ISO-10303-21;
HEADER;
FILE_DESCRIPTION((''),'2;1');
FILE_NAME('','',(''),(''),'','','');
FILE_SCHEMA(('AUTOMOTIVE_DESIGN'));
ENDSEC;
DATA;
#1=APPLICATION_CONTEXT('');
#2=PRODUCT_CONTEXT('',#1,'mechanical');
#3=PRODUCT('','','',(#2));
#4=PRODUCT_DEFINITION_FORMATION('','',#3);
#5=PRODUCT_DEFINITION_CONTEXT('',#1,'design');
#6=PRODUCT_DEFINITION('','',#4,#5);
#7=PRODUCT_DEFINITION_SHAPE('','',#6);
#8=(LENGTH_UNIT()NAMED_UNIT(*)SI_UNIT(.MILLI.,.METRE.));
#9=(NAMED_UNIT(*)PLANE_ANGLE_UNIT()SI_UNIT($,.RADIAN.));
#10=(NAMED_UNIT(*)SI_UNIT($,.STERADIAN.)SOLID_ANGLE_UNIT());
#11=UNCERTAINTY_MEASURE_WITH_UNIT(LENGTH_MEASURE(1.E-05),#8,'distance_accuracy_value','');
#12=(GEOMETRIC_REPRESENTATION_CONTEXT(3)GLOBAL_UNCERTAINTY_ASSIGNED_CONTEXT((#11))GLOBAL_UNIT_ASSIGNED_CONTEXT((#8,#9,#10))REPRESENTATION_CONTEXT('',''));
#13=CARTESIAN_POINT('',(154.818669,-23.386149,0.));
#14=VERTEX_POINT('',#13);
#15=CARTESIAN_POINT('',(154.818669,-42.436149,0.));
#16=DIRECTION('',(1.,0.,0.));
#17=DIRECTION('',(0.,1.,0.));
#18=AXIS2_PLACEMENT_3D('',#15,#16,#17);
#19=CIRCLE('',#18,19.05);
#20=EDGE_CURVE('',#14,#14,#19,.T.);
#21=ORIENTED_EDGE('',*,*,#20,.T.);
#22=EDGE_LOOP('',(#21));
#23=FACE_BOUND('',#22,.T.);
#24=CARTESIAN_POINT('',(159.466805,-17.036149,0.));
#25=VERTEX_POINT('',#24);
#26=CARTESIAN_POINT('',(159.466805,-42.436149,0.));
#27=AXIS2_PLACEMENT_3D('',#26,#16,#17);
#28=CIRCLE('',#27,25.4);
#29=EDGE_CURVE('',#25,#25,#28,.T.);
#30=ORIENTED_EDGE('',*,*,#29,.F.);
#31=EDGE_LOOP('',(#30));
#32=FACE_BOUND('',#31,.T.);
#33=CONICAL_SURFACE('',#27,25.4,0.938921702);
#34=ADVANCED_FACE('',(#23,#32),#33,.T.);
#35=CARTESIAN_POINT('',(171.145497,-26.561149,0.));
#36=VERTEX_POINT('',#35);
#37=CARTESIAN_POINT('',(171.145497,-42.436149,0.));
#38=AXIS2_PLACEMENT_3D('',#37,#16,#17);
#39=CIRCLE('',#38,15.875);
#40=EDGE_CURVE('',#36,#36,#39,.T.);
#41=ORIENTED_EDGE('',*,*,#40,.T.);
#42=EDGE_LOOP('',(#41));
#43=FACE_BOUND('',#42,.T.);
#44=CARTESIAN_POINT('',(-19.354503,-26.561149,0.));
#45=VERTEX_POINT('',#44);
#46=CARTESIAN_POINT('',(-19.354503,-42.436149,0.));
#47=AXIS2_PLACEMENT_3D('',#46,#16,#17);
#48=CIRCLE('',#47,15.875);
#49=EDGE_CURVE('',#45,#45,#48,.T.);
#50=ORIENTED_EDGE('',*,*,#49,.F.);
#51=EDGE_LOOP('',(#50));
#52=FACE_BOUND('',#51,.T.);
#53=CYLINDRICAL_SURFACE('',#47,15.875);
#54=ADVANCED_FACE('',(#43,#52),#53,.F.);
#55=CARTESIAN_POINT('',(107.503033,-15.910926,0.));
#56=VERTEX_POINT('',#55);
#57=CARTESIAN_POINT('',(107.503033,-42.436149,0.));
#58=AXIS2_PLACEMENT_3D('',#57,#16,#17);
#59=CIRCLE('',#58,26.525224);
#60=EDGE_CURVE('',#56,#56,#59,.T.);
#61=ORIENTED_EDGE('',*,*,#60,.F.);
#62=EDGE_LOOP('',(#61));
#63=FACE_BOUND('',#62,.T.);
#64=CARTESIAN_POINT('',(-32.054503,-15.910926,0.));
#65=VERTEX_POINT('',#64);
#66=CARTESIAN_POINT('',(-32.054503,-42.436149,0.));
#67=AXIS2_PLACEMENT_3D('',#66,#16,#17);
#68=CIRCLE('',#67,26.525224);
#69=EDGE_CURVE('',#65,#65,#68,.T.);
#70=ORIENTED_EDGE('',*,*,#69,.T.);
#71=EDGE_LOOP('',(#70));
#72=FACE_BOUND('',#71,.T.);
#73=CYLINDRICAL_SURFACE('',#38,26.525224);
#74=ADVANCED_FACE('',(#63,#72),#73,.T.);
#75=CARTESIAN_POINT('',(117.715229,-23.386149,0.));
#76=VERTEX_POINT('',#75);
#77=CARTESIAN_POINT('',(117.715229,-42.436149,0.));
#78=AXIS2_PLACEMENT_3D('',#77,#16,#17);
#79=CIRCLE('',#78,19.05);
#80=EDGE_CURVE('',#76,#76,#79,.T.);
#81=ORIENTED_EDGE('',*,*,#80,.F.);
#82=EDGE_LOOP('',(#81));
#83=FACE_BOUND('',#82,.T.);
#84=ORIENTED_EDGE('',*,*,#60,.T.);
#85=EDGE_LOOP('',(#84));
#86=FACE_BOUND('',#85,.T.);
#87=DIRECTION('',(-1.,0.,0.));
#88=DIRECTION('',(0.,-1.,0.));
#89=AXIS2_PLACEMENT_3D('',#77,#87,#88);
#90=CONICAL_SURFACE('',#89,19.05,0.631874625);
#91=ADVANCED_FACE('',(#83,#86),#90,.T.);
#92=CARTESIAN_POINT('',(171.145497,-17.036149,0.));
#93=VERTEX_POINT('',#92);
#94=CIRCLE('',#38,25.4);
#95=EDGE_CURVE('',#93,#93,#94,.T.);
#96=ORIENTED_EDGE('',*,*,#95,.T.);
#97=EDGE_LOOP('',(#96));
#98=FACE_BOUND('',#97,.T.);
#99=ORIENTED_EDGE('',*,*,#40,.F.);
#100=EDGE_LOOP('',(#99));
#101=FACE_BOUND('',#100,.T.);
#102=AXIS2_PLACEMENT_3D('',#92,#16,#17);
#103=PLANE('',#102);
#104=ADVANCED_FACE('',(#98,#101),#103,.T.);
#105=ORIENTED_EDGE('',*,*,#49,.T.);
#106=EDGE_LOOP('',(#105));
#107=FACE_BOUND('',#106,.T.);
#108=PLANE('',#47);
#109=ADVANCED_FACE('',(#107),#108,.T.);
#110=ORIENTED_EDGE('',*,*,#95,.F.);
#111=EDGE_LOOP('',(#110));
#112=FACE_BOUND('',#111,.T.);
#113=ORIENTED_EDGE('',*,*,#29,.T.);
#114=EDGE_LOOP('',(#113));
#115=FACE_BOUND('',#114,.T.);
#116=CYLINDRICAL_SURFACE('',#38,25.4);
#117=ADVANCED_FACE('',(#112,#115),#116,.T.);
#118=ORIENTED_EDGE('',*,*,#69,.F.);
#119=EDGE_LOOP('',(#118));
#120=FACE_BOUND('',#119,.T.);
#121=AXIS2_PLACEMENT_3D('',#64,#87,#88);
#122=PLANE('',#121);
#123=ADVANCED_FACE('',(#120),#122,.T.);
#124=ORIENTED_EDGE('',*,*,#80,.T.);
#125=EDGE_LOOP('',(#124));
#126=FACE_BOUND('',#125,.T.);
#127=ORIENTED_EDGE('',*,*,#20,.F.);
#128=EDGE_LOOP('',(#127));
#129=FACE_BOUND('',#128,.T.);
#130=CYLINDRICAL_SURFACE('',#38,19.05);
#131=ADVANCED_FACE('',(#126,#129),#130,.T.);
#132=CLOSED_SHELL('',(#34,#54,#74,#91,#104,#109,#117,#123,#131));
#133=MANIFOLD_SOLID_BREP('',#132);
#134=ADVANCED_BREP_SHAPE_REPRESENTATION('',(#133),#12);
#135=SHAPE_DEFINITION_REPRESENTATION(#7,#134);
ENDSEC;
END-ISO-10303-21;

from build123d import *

# Parameters (mm, degrees)
SKETCH4_R          = 15.875
CUT_EXTRUDE1_DEPTH = 190.5


with BuildPart() as part:
    # Sketch1 → Revolve1 (revolve)
    with BuildSketch(Plane.XY):
        Polygon((107.503032851, -15.910925594), (117.715228697, -23.386149331), (154.81866926, -23.386149331), (159.466804827, -17.036149331), (171.145497316, -17.036149331), (171.145497316, -42.436149331), (-32.054502684, -42.436149331), (-32.054502684, -15.910925594), align=None)
    revolve(axis=Axis((171.145497316, -42.436149331, 0), (-1, 0, 0)))

    # Sketch4 → Cut-Extrude1 (cut)
    with BuildSketch(Plane(origin=(171.145497316, 0, 0), x_dir=(0, 0, -1), z_dir=(1, 0, 0))):
        with Locations(Location((0, -42.436149331, 0), (0, 0, 90))):
            Circle(SKETCH4_R)
    extrude(amount=-CUT_EXTRUDE1_DEPTH, mode=Mode.SUBTRACT)


solid = part.part
